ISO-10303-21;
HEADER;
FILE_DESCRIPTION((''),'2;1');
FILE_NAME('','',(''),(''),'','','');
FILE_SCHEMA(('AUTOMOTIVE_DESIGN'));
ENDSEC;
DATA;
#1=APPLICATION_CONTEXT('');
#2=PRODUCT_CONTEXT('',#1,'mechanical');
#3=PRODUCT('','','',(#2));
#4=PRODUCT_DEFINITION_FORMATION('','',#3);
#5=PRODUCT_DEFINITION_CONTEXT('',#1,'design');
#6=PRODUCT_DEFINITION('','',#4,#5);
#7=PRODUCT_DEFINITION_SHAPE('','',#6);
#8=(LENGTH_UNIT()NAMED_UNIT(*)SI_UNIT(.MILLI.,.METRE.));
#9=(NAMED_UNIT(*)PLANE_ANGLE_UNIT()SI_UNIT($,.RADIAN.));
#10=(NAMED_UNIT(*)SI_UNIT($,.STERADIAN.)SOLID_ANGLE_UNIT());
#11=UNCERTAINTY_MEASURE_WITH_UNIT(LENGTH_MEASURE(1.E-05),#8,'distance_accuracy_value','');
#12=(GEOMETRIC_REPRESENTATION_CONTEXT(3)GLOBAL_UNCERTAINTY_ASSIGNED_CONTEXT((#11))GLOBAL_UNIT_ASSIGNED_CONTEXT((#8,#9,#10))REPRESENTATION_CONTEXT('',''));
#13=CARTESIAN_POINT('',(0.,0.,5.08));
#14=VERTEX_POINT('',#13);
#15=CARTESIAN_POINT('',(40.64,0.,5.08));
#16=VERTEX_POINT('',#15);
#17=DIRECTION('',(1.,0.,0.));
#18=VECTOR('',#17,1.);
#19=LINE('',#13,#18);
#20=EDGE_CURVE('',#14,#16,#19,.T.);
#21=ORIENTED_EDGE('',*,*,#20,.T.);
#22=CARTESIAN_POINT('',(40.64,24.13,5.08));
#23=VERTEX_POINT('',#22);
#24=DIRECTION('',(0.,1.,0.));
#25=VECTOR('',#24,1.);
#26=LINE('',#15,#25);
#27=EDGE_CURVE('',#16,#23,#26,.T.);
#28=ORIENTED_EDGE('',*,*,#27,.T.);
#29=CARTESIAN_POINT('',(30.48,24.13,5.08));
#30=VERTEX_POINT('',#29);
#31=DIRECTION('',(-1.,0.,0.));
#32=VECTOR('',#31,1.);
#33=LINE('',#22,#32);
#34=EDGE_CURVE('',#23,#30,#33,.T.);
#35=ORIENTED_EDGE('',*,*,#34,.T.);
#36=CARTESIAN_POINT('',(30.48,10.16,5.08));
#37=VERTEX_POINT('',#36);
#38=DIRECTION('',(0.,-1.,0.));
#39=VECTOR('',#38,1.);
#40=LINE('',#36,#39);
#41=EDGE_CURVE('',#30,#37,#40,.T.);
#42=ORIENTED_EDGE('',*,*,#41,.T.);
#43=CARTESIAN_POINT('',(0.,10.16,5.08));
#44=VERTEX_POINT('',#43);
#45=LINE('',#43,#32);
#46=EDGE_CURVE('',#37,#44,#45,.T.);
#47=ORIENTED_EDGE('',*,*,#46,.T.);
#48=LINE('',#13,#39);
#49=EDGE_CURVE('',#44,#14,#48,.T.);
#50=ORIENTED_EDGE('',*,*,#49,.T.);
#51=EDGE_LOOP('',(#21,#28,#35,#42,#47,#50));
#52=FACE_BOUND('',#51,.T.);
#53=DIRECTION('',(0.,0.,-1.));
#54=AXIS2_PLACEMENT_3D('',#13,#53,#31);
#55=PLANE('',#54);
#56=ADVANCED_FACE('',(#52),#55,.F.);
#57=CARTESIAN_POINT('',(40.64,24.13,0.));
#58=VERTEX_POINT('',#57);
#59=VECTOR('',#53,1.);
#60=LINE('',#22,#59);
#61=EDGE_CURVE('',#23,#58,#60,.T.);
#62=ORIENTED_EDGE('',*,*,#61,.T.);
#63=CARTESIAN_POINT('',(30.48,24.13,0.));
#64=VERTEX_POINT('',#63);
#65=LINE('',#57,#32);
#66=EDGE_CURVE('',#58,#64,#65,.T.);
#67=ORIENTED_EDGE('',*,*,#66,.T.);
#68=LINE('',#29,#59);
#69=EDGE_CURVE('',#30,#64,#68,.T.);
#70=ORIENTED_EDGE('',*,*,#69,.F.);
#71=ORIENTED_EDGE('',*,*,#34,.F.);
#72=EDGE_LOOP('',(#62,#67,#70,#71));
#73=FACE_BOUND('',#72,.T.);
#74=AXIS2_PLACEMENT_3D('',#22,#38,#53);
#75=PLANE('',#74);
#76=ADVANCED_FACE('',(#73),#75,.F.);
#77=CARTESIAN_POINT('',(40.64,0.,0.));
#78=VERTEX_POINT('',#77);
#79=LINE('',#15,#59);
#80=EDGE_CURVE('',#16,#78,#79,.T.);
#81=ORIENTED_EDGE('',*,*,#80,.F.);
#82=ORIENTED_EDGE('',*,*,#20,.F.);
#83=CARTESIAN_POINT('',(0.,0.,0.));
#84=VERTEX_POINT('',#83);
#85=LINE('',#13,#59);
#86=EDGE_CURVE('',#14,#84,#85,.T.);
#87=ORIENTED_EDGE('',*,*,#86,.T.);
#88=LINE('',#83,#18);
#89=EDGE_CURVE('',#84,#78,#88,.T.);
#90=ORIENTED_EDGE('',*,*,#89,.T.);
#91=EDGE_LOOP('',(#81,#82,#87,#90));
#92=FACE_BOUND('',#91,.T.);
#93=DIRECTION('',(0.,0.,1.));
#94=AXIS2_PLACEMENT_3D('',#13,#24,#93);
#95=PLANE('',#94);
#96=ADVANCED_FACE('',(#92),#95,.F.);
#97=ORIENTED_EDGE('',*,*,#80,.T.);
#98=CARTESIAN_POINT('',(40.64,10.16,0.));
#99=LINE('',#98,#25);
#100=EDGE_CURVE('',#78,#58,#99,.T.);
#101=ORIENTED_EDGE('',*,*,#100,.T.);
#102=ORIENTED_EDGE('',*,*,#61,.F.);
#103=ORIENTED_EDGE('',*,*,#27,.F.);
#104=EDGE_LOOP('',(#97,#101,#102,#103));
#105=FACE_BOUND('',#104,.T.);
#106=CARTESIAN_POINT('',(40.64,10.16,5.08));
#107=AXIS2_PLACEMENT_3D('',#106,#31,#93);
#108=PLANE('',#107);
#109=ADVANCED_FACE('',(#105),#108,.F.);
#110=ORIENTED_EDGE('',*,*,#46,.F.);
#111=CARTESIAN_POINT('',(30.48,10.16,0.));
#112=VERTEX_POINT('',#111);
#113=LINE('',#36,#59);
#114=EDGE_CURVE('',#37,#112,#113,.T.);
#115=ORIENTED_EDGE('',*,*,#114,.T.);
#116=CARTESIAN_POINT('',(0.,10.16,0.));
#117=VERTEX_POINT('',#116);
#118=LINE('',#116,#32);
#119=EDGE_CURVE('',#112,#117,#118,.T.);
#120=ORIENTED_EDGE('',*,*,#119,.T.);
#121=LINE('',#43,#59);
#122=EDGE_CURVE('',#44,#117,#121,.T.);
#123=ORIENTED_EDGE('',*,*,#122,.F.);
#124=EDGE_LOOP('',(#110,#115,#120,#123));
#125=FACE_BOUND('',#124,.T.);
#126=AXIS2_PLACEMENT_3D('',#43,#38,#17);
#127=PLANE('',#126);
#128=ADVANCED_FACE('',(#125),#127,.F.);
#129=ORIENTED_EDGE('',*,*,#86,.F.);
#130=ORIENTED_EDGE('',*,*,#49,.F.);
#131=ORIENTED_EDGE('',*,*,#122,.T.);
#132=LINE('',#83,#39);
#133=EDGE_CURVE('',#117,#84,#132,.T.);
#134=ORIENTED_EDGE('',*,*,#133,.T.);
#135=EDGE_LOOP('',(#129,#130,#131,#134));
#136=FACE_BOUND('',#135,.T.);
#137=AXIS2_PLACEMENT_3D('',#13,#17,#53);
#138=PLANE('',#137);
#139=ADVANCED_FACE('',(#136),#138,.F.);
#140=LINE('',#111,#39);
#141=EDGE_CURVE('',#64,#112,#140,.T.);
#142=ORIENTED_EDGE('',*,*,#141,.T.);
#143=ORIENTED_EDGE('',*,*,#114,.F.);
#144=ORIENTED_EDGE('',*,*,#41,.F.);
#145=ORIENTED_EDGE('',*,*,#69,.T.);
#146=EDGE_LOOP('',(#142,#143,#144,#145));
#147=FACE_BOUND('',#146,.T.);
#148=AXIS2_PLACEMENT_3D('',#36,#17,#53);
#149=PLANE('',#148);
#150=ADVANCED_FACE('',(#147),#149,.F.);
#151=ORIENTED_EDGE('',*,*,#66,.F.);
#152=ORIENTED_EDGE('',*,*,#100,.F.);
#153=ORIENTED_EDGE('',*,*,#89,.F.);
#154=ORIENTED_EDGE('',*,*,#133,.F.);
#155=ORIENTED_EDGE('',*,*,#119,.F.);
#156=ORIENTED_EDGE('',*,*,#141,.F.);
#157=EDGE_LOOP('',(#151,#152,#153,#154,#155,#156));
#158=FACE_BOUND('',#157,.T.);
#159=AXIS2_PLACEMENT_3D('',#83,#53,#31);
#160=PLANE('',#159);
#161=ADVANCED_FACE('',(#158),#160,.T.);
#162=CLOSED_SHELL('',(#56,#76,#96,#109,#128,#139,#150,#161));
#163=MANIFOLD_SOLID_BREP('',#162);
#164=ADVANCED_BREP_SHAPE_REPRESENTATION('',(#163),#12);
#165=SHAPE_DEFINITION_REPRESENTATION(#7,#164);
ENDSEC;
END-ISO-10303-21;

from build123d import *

# Parameters (mm, degrees)
BOSS_EXTRUDE1_DEPTH = 5.08


with BuildPart() as part:
    # Sketch1 → Boss-Extrude1 (new body)
    with BuildSketch(Plane.XY):
        Polygon((0, 10.16), (30.48, 10.16), (30.48, 24.13), (40.64, 24.13), (40.64, 10.16), (40.64, 0), (0, 0), align=None)
    extrude(amount=BOSS_EXTRUDE1_DEPTH)


solid = part.part
